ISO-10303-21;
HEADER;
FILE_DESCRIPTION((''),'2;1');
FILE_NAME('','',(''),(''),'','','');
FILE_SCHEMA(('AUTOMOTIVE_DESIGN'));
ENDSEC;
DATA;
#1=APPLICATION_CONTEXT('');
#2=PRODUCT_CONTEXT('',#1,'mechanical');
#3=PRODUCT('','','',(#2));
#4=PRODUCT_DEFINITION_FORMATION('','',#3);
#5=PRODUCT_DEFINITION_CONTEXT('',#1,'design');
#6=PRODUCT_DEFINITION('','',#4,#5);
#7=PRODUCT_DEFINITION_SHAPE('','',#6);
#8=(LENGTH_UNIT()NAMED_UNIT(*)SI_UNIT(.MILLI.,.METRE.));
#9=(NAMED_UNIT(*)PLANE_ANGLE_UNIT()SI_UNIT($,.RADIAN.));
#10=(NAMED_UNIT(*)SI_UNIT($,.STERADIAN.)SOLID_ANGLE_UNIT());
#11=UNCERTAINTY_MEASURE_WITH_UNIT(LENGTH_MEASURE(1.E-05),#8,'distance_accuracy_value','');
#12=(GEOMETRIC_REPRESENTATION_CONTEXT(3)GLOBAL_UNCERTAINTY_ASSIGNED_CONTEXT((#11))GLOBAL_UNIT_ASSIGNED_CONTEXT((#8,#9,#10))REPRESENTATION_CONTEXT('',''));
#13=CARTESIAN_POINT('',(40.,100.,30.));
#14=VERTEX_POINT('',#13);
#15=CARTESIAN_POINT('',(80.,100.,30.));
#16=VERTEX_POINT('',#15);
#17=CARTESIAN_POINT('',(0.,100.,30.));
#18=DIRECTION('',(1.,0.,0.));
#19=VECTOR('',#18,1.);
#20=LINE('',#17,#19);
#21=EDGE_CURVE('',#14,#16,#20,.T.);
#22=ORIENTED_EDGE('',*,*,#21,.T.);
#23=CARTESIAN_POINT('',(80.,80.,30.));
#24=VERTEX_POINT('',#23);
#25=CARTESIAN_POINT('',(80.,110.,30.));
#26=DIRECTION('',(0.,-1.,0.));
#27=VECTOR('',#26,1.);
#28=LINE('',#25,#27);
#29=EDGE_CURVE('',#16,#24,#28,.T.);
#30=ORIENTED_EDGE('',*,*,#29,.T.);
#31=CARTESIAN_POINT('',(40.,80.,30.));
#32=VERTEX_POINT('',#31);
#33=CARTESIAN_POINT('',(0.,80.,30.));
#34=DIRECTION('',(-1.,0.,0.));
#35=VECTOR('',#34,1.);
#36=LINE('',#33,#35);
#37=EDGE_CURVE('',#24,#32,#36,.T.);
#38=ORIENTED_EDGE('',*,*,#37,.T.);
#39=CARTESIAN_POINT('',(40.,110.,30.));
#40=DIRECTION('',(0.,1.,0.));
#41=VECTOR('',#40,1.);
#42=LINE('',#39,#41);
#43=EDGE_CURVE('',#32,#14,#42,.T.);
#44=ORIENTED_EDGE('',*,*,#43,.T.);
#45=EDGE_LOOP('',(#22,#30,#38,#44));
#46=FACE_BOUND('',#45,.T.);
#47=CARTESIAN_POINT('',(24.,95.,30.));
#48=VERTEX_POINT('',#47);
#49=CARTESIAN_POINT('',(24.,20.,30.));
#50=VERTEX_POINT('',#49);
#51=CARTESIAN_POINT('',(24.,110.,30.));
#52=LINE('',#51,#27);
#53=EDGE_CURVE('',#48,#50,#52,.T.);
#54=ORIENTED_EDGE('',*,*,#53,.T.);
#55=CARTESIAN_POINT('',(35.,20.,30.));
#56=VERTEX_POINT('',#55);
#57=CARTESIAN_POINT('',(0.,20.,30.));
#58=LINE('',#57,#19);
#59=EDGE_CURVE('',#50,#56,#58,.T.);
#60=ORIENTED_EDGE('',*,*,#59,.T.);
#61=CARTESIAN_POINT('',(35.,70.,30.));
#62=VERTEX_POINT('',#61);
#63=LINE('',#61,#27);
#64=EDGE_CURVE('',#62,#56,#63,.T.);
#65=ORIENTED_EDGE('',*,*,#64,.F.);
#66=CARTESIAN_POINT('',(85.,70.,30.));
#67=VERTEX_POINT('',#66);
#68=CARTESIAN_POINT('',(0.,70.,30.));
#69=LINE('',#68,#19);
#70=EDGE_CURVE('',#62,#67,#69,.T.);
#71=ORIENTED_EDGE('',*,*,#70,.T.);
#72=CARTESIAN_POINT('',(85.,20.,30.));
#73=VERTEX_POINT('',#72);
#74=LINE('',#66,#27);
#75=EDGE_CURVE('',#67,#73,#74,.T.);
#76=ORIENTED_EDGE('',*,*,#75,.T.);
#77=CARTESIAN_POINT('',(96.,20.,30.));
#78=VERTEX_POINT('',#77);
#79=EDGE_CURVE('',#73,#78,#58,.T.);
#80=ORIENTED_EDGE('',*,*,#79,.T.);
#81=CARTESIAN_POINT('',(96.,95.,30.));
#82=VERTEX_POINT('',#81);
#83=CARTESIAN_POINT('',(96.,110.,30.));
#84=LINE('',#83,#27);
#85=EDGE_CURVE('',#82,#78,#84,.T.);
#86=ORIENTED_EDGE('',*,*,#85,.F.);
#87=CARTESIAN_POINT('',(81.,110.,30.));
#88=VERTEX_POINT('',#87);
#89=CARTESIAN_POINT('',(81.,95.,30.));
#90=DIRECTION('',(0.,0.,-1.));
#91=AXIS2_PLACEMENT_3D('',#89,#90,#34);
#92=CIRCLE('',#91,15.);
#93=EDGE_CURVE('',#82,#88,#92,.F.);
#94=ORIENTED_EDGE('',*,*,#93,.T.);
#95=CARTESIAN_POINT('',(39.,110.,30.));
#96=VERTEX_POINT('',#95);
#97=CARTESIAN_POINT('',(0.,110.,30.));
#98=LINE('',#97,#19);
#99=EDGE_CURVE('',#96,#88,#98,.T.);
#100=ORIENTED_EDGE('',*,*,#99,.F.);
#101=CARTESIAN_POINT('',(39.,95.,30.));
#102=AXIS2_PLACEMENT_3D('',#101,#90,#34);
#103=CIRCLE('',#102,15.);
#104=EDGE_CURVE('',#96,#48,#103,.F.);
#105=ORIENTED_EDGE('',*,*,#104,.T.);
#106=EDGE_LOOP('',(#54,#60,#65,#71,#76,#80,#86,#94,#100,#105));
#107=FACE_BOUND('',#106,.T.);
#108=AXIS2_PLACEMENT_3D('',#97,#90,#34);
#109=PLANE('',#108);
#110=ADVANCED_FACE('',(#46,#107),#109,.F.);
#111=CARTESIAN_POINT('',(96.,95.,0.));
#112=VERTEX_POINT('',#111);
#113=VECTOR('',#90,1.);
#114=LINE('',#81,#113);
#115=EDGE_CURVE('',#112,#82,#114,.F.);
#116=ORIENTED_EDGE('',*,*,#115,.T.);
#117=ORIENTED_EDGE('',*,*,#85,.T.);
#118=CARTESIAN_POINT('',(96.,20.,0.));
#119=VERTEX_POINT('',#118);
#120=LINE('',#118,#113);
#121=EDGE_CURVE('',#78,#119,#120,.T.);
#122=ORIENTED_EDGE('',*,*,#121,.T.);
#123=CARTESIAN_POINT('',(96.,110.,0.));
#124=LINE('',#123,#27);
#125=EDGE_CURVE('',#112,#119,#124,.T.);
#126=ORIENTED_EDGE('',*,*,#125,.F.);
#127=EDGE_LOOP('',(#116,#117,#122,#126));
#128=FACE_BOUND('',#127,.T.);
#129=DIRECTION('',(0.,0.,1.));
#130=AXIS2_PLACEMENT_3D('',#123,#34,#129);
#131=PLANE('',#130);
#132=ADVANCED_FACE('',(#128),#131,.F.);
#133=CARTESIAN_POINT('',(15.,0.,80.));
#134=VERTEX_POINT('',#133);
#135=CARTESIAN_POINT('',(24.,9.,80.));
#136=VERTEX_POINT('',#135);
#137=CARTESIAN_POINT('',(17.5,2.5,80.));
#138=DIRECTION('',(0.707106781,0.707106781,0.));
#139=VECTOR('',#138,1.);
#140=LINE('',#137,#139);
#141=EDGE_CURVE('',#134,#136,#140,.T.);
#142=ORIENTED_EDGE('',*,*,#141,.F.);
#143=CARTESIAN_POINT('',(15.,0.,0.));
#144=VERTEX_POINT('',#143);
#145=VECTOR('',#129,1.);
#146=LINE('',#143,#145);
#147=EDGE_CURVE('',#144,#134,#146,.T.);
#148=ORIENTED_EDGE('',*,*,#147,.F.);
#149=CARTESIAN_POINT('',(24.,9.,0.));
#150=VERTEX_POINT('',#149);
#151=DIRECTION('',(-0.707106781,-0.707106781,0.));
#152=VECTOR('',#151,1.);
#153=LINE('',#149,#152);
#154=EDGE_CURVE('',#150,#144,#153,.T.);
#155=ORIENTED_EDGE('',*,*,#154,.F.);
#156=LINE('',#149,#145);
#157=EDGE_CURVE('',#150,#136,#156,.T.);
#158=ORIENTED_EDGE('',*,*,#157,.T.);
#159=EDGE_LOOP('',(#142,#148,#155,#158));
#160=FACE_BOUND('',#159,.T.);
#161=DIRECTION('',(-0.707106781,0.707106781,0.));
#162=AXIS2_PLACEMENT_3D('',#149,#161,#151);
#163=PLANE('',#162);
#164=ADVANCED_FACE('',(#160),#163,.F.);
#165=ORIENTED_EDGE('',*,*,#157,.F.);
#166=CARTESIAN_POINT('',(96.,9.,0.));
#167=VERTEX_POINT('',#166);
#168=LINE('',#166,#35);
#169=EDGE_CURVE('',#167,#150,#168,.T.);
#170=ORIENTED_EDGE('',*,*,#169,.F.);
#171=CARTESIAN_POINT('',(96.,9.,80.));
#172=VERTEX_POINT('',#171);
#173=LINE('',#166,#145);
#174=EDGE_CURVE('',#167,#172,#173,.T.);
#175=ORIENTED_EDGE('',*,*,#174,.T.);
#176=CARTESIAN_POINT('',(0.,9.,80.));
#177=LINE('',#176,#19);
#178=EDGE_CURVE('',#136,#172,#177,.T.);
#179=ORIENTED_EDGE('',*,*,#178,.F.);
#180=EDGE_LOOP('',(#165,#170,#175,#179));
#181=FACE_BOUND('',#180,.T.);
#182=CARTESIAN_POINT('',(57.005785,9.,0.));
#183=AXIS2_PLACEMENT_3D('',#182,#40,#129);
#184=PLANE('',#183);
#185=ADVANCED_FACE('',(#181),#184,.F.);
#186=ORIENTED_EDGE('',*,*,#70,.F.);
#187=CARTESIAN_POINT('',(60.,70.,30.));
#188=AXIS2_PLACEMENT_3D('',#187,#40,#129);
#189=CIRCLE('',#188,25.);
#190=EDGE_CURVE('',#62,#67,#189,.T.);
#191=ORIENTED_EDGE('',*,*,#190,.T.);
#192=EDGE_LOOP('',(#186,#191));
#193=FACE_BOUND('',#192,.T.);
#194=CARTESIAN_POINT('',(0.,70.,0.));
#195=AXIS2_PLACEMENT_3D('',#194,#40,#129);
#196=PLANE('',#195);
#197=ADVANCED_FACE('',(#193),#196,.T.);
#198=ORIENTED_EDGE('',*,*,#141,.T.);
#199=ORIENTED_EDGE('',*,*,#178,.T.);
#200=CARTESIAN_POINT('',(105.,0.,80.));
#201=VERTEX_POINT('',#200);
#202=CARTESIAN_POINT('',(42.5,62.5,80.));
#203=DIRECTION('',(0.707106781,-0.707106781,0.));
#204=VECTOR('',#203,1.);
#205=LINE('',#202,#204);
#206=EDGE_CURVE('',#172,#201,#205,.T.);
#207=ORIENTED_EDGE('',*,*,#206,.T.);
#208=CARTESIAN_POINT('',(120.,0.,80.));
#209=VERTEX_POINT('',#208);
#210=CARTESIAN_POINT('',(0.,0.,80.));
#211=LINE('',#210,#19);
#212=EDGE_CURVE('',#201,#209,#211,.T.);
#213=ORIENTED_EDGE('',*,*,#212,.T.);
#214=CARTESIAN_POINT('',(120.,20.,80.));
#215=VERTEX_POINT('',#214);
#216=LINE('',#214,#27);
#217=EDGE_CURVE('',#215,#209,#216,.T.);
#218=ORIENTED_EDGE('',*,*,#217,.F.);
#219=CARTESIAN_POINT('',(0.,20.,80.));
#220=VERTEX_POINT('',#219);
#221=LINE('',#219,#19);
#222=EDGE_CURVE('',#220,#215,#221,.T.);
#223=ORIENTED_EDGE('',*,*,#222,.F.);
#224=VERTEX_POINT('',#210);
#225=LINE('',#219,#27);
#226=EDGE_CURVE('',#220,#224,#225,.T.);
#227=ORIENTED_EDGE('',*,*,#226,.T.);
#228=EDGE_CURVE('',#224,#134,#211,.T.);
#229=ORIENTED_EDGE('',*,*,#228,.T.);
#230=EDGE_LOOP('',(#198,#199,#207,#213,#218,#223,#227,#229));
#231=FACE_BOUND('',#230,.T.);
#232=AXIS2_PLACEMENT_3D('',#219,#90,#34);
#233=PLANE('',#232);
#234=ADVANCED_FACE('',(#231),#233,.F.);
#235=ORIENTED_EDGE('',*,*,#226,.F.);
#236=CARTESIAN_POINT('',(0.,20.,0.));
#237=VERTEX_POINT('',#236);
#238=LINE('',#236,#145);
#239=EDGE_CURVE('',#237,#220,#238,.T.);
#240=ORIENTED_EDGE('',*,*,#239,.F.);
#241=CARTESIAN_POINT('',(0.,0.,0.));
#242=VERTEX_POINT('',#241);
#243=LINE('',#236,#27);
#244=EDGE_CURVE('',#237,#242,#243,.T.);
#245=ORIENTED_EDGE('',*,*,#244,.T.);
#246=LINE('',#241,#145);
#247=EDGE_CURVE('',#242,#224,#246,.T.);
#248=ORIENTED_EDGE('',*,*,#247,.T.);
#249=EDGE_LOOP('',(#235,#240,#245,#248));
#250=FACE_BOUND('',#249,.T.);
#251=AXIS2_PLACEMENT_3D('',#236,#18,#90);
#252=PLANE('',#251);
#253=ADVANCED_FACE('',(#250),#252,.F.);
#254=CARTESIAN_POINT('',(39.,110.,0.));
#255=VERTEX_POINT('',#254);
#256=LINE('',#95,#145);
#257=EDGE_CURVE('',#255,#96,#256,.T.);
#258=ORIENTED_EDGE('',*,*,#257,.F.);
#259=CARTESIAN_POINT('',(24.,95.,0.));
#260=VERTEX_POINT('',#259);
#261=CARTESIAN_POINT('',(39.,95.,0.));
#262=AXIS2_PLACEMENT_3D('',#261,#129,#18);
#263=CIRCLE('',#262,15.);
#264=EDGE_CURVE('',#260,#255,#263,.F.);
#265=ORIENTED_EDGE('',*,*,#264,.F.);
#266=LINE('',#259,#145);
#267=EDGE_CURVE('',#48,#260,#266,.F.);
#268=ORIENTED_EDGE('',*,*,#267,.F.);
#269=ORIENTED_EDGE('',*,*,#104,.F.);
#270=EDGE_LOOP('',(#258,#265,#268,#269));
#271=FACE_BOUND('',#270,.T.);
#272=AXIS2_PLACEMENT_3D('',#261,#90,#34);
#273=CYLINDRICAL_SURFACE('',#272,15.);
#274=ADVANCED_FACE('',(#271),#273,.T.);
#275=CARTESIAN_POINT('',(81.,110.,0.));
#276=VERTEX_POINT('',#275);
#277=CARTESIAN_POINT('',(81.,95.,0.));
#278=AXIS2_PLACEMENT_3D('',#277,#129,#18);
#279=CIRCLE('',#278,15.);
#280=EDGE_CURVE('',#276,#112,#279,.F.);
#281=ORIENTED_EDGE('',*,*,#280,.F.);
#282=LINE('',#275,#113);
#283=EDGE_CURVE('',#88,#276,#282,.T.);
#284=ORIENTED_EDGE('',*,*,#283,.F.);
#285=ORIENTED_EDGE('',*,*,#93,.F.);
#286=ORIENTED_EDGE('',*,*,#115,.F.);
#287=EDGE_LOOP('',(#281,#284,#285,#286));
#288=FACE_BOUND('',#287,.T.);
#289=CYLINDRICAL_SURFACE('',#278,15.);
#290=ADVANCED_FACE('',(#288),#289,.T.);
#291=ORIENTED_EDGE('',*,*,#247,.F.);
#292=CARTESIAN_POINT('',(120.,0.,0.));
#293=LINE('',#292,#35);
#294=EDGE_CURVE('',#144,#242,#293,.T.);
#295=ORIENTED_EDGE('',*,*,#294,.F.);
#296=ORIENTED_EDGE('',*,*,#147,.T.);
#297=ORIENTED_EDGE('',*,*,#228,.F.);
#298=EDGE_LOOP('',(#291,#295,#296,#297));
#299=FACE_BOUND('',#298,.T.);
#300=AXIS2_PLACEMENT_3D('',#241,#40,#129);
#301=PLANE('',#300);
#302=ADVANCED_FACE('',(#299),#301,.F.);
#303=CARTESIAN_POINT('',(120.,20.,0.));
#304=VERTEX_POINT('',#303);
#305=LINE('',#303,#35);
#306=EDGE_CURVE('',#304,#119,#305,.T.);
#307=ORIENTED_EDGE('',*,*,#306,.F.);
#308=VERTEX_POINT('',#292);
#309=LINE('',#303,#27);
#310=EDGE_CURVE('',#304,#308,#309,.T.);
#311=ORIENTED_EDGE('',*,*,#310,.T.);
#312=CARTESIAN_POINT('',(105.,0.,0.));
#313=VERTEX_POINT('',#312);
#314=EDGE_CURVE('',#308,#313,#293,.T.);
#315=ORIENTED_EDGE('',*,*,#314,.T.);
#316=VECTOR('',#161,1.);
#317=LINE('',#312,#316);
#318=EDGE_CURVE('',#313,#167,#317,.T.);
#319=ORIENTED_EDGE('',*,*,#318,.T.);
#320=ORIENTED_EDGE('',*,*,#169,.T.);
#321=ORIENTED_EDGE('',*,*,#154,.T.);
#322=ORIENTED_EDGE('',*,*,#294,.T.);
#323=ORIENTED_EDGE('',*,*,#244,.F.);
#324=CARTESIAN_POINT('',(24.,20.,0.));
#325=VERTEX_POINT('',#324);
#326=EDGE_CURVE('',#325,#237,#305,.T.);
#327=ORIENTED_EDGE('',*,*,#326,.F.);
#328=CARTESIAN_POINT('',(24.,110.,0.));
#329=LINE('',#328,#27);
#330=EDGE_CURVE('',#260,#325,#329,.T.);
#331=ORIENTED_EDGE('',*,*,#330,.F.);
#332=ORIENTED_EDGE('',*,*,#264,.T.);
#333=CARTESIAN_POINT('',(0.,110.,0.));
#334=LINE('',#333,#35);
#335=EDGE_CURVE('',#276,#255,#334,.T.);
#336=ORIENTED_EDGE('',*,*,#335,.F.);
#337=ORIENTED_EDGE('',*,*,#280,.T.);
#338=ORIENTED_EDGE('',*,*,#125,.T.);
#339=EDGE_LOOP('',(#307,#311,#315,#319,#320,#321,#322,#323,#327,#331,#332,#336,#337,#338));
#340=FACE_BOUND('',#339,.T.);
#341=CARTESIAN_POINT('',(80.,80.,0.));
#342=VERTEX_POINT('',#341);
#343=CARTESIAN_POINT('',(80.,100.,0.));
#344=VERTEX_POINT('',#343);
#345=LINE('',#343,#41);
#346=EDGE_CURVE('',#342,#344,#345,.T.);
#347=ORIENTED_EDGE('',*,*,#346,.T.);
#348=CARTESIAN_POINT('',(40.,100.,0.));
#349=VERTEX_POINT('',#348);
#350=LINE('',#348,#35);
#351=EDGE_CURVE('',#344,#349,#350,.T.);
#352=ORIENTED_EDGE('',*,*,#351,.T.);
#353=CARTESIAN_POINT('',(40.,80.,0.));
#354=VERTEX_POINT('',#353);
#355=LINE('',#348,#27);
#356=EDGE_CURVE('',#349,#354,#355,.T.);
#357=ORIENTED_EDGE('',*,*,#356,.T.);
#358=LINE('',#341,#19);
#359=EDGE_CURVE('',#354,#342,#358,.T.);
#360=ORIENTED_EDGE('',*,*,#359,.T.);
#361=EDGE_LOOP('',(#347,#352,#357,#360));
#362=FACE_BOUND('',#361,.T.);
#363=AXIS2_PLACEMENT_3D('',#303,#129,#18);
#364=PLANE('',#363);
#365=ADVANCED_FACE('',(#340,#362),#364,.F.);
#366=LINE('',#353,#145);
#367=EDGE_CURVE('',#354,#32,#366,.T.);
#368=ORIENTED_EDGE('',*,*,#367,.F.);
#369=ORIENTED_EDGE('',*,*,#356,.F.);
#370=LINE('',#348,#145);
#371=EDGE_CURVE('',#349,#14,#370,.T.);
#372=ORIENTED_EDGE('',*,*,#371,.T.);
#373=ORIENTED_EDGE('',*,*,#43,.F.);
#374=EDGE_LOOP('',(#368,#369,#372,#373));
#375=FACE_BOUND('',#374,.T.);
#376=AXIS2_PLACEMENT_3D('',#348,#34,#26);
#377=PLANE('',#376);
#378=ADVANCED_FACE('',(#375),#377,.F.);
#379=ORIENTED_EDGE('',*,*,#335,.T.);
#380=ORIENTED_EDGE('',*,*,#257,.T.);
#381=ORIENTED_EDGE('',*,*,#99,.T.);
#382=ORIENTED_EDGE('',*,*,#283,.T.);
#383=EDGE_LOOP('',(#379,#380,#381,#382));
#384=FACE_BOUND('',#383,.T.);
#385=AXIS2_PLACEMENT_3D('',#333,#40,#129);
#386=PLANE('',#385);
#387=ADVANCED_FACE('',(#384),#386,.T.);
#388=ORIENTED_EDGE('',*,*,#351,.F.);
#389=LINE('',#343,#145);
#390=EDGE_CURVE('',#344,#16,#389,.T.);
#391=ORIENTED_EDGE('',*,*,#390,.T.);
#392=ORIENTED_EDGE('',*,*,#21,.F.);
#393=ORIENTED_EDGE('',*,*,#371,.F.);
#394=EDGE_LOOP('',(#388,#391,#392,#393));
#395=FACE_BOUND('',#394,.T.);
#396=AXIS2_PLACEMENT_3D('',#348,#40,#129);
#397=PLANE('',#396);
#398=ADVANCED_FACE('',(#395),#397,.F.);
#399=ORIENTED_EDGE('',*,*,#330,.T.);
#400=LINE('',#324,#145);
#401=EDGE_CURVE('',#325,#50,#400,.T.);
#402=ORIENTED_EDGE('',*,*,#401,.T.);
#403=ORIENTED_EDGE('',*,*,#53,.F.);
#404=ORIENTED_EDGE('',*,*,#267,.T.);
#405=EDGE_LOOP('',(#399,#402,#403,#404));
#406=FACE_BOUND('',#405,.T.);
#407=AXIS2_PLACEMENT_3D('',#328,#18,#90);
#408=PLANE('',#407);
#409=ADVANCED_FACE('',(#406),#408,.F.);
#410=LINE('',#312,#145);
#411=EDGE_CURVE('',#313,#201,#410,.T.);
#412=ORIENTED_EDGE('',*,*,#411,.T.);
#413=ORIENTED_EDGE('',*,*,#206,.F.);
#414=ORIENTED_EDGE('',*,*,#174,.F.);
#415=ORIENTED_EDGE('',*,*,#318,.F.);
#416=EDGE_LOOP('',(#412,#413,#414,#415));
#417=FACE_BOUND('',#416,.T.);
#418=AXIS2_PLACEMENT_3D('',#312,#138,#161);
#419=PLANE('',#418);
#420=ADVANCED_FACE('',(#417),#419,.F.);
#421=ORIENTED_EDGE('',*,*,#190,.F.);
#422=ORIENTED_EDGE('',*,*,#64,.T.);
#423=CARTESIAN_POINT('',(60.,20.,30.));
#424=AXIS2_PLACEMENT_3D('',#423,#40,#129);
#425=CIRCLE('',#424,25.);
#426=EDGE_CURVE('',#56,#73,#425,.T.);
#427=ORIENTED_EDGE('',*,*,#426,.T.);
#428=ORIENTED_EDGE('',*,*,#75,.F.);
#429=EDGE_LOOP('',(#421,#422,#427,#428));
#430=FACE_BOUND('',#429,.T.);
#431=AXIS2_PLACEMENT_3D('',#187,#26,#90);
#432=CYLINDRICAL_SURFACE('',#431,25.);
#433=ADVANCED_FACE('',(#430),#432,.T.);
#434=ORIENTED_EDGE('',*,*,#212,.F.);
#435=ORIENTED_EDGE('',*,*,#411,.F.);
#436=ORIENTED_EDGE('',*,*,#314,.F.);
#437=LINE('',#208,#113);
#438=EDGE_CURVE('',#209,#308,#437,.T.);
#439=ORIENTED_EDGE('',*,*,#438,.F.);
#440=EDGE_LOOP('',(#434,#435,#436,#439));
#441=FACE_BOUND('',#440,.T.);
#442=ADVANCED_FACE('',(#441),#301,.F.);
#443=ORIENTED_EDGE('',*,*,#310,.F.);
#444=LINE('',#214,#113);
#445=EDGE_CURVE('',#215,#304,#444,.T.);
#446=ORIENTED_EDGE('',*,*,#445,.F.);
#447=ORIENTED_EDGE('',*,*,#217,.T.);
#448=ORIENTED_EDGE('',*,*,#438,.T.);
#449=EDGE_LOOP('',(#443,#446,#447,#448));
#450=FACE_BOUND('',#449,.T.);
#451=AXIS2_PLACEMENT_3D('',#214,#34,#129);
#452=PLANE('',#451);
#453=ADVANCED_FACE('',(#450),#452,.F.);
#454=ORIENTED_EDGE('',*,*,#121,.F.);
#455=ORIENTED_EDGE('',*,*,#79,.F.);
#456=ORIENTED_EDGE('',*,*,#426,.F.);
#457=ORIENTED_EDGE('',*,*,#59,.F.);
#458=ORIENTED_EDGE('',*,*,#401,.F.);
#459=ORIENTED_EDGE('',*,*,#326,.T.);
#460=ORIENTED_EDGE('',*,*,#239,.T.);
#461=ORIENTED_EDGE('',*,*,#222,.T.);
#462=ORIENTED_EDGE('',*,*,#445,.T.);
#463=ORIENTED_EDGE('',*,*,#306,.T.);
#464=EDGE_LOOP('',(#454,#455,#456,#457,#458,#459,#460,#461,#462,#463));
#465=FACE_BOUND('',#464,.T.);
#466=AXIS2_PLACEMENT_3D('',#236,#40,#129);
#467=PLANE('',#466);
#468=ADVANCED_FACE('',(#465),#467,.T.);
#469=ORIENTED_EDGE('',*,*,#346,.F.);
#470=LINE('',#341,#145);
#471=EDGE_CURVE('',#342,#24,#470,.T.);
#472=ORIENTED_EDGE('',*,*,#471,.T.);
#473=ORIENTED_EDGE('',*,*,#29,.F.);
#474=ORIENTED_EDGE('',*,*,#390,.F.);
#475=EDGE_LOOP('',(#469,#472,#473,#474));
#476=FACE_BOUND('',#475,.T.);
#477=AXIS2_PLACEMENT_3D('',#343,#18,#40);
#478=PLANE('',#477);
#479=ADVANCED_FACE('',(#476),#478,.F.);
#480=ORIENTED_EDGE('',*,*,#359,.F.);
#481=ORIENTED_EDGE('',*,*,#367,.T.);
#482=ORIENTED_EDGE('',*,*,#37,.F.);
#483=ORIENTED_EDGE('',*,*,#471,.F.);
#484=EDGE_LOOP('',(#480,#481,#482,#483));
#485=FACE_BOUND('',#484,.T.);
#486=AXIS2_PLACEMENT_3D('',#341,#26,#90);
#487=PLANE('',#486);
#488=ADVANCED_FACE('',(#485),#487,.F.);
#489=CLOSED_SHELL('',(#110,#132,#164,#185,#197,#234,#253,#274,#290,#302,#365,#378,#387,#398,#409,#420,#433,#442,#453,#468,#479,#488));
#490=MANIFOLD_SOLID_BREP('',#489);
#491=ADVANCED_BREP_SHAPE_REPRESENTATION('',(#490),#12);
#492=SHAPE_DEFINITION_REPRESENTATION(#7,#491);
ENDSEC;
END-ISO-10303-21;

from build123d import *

# Parameters (mm, degrees)
SKETCH_1_W               = 120
SKETCH_1_H               = 80
EXTRUDE_1_DEPTH          = 20
CUT_EXTRUDE_1_DEPTH      = 146.602197786
CUT_EXTRUDE_1_DEPTH_BACK = 146.602197786
SKETCH_3_W               = 72
SKETCH_3_H               = 30
EXTRUDE_2_DEPTH          = 90
EXTRUDE_3_DEPTH          = 50
FILLET_1_R               = 15
CUT_EXTRUDE_2_DEPTH      = 171.293863659
CUT_EXTRUDE_2_DEPTH_BACK = 171.293863659
SKETCH_5_W               = 40
SKETCH_5_H               = 20


with BuildPart() as part:
    # 草图1 → 凸台-拉伸1 (new body)
    with BuildSketch(Plane(origin=(0, 0, 0), x_dir=(1, 0, 0), z_dir=(0, 1, 0))):
        with Locations((60, -40)):
            Rectangle(SKETCH_1_W, SKETCH_1_H)
    extrude(amount=EXTRUDE_1_DEPTH)

    # 草图2 → 切除-拉伸1 (cut, two sides: drawn at the far end of the back side and taken through both)
    with BuildSketch(Plane.XY.offset(80).offset(-CUT_EXTRUDE_1_DEPTH_BACK)):
        Polygon((60, 0), (105, 0), (96, 9), (57.005784519, 9), (24, 9), (15, 0), align=None)
    extrude(amount=CUT_EXTRUDE_1_DEPTH + CUT_EXTRUDE_1_DEPTH_BACK, mode=Mode.SUBTRACT)

    # 草图3 → 凸台-拉伸2 (add)
    with BuildSketch(Plane(origin=(0, 20, 0), x_dir=(1, 0, 0), z_dir=(0, 1, 0))):
        with Locations((60, -15)):
            Rectangle(SKETCH_3_W, SKETCH_3_H)
    extrude(amount=EXTRUDE_2_DEPTH)

    # 草图3<3> → 凸台-拉伸3 (add)
    with BuildSketch(Plane(origin=(0, 20, 0), x_dir=(1, 0, 0), z_dir=(0, 1, 0))):
        with BuildLine():
            Line((80, -30), (60, -30))
            Line((60, -30), (49.673358607, -30))
            Line((49.673358607, -30), (40, -30))
            Line((40, -30), (35, -30))
            ThreePointArc((35, -30), (60, -55), (85, -30))
            Line((85, -30), (80, -30))
        make_face()
    extrude(amount=EXTRUDE_3_DEPTH)

    # 圆角1
    fillet_1_edges = [part.edges().sort_by_distance(p)[0] for p in [
        (96, 110, 15),
        (24, 110, 15),
    ]]
    fillet(fillet_1_edges, radius=FILLET_1_R)

    # 草图5 → 切除-拉伸2 (cut, two sides: drawn at the far end of the back side and taken through both)
    with BuildSketch(Plane.XY.offset(30).offset(-CUT_EXTRUDE_2_DEPTH_BACK)):
        with Locations((60, 90)):
            Rectangle(SKETCH_5_W, SKETCH_5_H)
    extrude(amount=CUT_EXTRUDE_2_DEPTH + CUT_EXTRUDE_2_DEPTH_BACK, mode=Mode.SUBTRACT)


solid = part.part
